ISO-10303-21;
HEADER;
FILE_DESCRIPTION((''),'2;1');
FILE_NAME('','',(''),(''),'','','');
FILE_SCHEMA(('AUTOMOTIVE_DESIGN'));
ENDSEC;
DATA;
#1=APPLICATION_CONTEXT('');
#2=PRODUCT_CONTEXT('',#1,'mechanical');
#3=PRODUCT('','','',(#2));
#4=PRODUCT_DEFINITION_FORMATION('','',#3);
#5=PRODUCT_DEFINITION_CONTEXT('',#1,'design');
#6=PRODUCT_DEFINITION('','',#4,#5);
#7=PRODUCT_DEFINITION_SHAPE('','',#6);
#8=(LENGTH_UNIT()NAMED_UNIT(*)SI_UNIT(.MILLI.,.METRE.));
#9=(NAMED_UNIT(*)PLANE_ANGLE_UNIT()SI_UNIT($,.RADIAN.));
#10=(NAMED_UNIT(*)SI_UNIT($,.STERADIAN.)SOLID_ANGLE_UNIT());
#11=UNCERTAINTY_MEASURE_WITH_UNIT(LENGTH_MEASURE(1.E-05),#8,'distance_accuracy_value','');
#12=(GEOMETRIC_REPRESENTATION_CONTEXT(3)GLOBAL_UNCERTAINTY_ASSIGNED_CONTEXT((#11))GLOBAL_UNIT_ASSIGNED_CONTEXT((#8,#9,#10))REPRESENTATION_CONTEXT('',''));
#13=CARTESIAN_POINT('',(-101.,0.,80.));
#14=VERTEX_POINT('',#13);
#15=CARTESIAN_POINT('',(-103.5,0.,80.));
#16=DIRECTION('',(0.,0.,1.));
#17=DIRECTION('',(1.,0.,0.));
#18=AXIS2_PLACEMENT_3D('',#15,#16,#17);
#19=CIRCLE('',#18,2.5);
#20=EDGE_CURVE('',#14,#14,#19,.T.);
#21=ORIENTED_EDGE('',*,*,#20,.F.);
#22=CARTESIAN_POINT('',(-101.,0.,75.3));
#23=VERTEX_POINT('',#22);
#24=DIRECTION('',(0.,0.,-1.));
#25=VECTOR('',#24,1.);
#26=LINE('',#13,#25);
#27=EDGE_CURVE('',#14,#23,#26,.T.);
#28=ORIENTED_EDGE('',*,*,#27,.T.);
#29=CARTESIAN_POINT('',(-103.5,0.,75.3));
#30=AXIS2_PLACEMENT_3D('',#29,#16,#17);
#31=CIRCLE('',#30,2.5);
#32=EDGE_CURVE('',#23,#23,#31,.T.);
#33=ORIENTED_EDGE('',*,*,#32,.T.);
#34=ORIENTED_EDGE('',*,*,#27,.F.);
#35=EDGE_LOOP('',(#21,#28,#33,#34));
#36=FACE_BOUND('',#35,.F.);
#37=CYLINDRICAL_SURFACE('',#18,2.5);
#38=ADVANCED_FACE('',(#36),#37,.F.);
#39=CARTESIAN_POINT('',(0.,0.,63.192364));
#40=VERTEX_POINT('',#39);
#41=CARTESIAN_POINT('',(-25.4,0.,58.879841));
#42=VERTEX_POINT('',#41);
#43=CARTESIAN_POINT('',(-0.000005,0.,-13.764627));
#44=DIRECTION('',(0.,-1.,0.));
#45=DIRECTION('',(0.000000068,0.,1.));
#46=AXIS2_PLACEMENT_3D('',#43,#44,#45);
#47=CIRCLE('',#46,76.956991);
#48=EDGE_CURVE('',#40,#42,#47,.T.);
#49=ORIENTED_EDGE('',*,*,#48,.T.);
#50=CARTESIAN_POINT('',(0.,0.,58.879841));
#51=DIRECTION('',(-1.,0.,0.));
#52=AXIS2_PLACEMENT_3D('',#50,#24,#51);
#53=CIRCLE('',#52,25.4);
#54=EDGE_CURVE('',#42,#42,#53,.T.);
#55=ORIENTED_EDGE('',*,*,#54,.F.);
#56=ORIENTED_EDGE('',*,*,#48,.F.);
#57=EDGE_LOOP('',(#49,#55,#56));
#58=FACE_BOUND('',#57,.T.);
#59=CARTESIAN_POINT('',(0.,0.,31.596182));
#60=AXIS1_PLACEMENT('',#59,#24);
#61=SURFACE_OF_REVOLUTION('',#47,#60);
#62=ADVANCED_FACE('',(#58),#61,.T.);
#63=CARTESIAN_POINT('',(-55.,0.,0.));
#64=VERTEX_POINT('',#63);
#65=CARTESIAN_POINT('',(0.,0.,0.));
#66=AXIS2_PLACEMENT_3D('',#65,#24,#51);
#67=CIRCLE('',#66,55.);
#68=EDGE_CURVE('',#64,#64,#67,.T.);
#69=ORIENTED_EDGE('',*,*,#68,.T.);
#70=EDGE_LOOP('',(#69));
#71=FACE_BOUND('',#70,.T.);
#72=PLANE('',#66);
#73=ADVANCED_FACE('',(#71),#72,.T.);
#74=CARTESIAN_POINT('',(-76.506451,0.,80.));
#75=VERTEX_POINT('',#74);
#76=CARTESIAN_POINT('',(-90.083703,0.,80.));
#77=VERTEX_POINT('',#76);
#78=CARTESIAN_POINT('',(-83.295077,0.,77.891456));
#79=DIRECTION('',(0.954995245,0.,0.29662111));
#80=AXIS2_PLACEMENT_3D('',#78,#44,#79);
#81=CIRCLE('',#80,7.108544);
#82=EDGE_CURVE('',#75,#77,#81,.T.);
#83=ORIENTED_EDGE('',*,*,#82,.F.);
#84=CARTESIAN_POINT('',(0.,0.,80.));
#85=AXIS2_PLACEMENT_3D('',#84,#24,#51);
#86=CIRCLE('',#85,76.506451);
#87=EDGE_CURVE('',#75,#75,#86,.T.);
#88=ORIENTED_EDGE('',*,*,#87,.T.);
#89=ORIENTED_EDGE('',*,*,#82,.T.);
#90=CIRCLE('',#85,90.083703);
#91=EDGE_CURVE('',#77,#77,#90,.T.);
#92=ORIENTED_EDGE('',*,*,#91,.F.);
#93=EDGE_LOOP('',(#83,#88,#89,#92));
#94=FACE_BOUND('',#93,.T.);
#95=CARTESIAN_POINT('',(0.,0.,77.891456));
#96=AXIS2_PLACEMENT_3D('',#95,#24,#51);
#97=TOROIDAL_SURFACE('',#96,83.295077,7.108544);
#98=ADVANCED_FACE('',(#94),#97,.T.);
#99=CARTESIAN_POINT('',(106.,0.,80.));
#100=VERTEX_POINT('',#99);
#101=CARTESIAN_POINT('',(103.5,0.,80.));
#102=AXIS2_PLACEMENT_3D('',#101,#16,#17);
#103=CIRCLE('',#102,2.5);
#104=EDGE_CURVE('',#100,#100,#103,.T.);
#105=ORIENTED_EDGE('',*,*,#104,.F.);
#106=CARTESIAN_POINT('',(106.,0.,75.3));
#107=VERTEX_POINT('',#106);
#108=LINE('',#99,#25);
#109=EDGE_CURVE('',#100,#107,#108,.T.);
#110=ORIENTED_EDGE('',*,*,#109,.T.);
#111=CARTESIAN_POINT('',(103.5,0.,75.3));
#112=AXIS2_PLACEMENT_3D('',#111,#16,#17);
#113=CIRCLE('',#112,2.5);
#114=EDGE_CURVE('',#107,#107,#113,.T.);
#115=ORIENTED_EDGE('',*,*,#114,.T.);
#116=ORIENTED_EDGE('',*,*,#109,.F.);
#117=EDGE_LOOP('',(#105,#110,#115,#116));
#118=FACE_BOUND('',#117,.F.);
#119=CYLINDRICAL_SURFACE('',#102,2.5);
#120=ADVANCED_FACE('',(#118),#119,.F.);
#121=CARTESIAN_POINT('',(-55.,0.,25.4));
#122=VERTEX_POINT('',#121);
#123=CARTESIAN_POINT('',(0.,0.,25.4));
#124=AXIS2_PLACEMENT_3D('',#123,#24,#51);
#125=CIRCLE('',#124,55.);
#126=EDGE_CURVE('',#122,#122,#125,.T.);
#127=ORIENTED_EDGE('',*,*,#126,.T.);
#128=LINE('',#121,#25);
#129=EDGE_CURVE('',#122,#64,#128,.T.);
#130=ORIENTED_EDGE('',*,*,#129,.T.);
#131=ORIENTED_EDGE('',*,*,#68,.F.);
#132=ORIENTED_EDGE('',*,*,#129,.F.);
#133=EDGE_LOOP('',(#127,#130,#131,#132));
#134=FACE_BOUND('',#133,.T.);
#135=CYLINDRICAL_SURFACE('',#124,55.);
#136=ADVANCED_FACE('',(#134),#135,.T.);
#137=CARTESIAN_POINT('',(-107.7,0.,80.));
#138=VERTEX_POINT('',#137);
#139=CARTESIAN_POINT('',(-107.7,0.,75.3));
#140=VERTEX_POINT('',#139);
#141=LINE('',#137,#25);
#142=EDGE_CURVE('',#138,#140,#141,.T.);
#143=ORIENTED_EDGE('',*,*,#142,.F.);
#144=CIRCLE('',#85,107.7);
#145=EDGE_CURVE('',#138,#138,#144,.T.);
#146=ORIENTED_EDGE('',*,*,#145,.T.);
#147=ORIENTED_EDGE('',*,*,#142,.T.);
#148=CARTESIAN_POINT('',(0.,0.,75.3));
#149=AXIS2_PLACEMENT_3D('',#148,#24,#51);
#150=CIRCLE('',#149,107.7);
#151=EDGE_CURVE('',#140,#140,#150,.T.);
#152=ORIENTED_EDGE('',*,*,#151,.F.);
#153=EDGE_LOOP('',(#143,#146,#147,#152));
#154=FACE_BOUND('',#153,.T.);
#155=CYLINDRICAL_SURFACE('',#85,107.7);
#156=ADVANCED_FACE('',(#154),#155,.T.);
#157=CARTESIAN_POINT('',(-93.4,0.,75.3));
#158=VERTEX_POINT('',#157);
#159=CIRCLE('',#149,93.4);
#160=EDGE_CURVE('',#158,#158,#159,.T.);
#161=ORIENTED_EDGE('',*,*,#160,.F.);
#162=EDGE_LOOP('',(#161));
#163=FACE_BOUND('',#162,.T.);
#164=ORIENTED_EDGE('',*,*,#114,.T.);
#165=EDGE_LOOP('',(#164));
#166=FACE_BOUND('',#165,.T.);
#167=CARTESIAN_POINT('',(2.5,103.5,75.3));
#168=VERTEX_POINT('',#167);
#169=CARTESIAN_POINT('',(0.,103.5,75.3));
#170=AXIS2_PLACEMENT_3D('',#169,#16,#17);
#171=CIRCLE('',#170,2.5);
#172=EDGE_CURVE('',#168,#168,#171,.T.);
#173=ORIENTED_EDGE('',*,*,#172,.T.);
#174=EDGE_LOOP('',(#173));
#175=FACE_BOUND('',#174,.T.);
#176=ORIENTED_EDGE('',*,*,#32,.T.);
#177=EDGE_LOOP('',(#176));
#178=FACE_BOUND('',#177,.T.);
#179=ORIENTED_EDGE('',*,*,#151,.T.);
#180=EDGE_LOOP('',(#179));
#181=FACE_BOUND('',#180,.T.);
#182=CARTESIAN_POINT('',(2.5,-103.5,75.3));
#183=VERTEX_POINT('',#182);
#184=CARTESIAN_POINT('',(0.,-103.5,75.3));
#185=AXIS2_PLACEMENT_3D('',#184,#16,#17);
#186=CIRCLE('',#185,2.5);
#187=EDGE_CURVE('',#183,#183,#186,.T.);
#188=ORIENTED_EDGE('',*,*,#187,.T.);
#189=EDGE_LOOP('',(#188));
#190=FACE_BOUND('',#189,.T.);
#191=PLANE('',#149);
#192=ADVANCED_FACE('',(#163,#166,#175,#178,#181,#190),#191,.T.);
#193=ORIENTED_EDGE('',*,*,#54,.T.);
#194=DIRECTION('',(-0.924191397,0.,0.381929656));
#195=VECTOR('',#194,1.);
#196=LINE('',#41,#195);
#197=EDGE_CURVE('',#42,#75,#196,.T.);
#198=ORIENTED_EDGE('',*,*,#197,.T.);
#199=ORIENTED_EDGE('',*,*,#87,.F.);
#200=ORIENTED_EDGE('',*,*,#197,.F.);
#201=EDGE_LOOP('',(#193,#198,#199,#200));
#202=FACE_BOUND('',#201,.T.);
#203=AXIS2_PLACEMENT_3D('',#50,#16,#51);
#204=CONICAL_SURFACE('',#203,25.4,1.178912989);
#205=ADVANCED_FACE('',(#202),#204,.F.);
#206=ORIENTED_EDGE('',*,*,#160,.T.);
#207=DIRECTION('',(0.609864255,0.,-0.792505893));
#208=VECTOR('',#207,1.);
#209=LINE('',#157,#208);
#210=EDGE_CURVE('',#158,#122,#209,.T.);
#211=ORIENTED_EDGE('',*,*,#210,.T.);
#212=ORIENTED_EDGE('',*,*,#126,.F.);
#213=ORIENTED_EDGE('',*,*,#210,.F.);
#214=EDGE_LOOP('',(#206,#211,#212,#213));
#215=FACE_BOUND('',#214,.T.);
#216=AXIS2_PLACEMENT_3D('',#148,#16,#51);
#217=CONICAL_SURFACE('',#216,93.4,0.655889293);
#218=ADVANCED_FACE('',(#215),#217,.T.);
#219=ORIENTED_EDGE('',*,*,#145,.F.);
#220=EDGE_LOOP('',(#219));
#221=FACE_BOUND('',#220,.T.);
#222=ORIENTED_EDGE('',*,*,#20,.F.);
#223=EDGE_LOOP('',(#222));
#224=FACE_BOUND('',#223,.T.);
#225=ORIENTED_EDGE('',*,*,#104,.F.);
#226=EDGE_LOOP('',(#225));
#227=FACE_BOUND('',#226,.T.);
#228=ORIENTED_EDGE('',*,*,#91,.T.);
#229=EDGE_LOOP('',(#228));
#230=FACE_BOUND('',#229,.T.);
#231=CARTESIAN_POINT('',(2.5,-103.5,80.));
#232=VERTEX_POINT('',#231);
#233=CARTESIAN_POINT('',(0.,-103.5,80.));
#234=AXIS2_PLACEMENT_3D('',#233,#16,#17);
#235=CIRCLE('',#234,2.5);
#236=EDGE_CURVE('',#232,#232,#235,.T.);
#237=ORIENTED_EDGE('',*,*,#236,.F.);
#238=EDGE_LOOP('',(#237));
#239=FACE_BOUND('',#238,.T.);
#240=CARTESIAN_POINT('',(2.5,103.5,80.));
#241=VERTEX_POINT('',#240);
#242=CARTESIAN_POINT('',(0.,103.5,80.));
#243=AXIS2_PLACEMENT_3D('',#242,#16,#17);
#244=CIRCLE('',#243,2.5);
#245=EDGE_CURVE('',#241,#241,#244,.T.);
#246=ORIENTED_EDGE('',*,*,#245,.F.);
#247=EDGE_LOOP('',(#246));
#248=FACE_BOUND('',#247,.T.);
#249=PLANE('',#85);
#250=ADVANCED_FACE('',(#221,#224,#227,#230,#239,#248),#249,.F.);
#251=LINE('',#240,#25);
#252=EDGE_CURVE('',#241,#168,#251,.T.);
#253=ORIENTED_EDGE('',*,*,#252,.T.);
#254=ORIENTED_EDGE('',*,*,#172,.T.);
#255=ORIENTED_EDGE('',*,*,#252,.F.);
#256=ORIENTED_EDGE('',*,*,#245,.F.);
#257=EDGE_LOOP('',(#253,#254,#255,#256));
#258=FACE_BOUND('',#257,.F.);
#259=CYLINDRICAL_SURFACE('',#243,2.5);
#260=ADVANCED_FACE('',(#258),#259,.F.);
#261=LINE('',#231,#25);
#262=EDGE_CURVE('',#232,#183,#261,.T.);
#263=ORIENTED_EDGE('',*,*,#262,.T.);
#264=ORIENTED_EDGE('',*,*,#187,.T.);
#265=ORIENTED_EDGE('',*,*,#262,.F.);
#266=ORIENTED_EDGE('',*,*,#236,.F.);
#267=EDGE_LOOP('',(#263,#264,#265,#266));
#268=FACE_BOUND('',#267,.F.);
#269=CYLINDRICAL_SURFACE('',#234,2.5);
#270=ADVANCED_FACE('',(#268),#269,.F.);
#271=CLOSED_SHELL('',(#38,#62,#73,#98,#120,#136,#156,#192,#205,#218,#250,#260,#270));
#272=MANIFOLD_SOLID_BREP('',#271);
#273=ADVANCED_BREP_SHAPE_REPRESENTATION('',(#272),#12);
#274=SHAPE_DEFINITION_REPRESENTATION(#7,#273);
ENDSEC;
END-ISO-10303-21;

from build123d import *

# Parameters (mm, degrees)
F2_R     = 2.5
F3_DEPTH = 4.7


with BuildPart() as f1:
    # F0 (on Front) → F1 (revolve)
    with BuildSketch(Plane.XZ):
        with BuildLine():
            Line((0, 0), (0, 63.192364))
            ThreePointArc((0, 63.192364), (-12.881749, 62.106574), (-25.4, 58.879841))
            Line((-25.4, 58.879841), (-76.506451, 80))
            ThreePointArc((-76.506451, 80), (-83.295077, 85), (-90.083703, 80))
            Line((-90.083703, 80), (-107.7, 80))
            Line((-107.7, 80), (-107.7, 75.3))
            Line((-107.7, 75.3), (-93.4, 75.3))
            Line((-93.4, 75.3), (-55, 25.4))
            Line((-55, 25.4), (-55, 0))
            Line((-55, 0), (0, 0))
        make_face()
    revolve(axis=Axis((0, 0, 31.596182), (0, 0, -1)))

    # F2 (on face) → F3 (cut, through all)
    with BuildSketch(Plane.XY.offset(80)):
        with Locations((-103.5, 0)):
            Circle(F2_R)
        with Locations((0, 103.5)):
            Circle(F2_R)
        with Locations((103.5, 0)):
            Circle(F2_R)
        with Locations((0, -103.5)):
            Circle(F2_R)
    extrude(amount=-F3_DEPTH, mode=Mode.SUBTRACT)


solid = f1.part
